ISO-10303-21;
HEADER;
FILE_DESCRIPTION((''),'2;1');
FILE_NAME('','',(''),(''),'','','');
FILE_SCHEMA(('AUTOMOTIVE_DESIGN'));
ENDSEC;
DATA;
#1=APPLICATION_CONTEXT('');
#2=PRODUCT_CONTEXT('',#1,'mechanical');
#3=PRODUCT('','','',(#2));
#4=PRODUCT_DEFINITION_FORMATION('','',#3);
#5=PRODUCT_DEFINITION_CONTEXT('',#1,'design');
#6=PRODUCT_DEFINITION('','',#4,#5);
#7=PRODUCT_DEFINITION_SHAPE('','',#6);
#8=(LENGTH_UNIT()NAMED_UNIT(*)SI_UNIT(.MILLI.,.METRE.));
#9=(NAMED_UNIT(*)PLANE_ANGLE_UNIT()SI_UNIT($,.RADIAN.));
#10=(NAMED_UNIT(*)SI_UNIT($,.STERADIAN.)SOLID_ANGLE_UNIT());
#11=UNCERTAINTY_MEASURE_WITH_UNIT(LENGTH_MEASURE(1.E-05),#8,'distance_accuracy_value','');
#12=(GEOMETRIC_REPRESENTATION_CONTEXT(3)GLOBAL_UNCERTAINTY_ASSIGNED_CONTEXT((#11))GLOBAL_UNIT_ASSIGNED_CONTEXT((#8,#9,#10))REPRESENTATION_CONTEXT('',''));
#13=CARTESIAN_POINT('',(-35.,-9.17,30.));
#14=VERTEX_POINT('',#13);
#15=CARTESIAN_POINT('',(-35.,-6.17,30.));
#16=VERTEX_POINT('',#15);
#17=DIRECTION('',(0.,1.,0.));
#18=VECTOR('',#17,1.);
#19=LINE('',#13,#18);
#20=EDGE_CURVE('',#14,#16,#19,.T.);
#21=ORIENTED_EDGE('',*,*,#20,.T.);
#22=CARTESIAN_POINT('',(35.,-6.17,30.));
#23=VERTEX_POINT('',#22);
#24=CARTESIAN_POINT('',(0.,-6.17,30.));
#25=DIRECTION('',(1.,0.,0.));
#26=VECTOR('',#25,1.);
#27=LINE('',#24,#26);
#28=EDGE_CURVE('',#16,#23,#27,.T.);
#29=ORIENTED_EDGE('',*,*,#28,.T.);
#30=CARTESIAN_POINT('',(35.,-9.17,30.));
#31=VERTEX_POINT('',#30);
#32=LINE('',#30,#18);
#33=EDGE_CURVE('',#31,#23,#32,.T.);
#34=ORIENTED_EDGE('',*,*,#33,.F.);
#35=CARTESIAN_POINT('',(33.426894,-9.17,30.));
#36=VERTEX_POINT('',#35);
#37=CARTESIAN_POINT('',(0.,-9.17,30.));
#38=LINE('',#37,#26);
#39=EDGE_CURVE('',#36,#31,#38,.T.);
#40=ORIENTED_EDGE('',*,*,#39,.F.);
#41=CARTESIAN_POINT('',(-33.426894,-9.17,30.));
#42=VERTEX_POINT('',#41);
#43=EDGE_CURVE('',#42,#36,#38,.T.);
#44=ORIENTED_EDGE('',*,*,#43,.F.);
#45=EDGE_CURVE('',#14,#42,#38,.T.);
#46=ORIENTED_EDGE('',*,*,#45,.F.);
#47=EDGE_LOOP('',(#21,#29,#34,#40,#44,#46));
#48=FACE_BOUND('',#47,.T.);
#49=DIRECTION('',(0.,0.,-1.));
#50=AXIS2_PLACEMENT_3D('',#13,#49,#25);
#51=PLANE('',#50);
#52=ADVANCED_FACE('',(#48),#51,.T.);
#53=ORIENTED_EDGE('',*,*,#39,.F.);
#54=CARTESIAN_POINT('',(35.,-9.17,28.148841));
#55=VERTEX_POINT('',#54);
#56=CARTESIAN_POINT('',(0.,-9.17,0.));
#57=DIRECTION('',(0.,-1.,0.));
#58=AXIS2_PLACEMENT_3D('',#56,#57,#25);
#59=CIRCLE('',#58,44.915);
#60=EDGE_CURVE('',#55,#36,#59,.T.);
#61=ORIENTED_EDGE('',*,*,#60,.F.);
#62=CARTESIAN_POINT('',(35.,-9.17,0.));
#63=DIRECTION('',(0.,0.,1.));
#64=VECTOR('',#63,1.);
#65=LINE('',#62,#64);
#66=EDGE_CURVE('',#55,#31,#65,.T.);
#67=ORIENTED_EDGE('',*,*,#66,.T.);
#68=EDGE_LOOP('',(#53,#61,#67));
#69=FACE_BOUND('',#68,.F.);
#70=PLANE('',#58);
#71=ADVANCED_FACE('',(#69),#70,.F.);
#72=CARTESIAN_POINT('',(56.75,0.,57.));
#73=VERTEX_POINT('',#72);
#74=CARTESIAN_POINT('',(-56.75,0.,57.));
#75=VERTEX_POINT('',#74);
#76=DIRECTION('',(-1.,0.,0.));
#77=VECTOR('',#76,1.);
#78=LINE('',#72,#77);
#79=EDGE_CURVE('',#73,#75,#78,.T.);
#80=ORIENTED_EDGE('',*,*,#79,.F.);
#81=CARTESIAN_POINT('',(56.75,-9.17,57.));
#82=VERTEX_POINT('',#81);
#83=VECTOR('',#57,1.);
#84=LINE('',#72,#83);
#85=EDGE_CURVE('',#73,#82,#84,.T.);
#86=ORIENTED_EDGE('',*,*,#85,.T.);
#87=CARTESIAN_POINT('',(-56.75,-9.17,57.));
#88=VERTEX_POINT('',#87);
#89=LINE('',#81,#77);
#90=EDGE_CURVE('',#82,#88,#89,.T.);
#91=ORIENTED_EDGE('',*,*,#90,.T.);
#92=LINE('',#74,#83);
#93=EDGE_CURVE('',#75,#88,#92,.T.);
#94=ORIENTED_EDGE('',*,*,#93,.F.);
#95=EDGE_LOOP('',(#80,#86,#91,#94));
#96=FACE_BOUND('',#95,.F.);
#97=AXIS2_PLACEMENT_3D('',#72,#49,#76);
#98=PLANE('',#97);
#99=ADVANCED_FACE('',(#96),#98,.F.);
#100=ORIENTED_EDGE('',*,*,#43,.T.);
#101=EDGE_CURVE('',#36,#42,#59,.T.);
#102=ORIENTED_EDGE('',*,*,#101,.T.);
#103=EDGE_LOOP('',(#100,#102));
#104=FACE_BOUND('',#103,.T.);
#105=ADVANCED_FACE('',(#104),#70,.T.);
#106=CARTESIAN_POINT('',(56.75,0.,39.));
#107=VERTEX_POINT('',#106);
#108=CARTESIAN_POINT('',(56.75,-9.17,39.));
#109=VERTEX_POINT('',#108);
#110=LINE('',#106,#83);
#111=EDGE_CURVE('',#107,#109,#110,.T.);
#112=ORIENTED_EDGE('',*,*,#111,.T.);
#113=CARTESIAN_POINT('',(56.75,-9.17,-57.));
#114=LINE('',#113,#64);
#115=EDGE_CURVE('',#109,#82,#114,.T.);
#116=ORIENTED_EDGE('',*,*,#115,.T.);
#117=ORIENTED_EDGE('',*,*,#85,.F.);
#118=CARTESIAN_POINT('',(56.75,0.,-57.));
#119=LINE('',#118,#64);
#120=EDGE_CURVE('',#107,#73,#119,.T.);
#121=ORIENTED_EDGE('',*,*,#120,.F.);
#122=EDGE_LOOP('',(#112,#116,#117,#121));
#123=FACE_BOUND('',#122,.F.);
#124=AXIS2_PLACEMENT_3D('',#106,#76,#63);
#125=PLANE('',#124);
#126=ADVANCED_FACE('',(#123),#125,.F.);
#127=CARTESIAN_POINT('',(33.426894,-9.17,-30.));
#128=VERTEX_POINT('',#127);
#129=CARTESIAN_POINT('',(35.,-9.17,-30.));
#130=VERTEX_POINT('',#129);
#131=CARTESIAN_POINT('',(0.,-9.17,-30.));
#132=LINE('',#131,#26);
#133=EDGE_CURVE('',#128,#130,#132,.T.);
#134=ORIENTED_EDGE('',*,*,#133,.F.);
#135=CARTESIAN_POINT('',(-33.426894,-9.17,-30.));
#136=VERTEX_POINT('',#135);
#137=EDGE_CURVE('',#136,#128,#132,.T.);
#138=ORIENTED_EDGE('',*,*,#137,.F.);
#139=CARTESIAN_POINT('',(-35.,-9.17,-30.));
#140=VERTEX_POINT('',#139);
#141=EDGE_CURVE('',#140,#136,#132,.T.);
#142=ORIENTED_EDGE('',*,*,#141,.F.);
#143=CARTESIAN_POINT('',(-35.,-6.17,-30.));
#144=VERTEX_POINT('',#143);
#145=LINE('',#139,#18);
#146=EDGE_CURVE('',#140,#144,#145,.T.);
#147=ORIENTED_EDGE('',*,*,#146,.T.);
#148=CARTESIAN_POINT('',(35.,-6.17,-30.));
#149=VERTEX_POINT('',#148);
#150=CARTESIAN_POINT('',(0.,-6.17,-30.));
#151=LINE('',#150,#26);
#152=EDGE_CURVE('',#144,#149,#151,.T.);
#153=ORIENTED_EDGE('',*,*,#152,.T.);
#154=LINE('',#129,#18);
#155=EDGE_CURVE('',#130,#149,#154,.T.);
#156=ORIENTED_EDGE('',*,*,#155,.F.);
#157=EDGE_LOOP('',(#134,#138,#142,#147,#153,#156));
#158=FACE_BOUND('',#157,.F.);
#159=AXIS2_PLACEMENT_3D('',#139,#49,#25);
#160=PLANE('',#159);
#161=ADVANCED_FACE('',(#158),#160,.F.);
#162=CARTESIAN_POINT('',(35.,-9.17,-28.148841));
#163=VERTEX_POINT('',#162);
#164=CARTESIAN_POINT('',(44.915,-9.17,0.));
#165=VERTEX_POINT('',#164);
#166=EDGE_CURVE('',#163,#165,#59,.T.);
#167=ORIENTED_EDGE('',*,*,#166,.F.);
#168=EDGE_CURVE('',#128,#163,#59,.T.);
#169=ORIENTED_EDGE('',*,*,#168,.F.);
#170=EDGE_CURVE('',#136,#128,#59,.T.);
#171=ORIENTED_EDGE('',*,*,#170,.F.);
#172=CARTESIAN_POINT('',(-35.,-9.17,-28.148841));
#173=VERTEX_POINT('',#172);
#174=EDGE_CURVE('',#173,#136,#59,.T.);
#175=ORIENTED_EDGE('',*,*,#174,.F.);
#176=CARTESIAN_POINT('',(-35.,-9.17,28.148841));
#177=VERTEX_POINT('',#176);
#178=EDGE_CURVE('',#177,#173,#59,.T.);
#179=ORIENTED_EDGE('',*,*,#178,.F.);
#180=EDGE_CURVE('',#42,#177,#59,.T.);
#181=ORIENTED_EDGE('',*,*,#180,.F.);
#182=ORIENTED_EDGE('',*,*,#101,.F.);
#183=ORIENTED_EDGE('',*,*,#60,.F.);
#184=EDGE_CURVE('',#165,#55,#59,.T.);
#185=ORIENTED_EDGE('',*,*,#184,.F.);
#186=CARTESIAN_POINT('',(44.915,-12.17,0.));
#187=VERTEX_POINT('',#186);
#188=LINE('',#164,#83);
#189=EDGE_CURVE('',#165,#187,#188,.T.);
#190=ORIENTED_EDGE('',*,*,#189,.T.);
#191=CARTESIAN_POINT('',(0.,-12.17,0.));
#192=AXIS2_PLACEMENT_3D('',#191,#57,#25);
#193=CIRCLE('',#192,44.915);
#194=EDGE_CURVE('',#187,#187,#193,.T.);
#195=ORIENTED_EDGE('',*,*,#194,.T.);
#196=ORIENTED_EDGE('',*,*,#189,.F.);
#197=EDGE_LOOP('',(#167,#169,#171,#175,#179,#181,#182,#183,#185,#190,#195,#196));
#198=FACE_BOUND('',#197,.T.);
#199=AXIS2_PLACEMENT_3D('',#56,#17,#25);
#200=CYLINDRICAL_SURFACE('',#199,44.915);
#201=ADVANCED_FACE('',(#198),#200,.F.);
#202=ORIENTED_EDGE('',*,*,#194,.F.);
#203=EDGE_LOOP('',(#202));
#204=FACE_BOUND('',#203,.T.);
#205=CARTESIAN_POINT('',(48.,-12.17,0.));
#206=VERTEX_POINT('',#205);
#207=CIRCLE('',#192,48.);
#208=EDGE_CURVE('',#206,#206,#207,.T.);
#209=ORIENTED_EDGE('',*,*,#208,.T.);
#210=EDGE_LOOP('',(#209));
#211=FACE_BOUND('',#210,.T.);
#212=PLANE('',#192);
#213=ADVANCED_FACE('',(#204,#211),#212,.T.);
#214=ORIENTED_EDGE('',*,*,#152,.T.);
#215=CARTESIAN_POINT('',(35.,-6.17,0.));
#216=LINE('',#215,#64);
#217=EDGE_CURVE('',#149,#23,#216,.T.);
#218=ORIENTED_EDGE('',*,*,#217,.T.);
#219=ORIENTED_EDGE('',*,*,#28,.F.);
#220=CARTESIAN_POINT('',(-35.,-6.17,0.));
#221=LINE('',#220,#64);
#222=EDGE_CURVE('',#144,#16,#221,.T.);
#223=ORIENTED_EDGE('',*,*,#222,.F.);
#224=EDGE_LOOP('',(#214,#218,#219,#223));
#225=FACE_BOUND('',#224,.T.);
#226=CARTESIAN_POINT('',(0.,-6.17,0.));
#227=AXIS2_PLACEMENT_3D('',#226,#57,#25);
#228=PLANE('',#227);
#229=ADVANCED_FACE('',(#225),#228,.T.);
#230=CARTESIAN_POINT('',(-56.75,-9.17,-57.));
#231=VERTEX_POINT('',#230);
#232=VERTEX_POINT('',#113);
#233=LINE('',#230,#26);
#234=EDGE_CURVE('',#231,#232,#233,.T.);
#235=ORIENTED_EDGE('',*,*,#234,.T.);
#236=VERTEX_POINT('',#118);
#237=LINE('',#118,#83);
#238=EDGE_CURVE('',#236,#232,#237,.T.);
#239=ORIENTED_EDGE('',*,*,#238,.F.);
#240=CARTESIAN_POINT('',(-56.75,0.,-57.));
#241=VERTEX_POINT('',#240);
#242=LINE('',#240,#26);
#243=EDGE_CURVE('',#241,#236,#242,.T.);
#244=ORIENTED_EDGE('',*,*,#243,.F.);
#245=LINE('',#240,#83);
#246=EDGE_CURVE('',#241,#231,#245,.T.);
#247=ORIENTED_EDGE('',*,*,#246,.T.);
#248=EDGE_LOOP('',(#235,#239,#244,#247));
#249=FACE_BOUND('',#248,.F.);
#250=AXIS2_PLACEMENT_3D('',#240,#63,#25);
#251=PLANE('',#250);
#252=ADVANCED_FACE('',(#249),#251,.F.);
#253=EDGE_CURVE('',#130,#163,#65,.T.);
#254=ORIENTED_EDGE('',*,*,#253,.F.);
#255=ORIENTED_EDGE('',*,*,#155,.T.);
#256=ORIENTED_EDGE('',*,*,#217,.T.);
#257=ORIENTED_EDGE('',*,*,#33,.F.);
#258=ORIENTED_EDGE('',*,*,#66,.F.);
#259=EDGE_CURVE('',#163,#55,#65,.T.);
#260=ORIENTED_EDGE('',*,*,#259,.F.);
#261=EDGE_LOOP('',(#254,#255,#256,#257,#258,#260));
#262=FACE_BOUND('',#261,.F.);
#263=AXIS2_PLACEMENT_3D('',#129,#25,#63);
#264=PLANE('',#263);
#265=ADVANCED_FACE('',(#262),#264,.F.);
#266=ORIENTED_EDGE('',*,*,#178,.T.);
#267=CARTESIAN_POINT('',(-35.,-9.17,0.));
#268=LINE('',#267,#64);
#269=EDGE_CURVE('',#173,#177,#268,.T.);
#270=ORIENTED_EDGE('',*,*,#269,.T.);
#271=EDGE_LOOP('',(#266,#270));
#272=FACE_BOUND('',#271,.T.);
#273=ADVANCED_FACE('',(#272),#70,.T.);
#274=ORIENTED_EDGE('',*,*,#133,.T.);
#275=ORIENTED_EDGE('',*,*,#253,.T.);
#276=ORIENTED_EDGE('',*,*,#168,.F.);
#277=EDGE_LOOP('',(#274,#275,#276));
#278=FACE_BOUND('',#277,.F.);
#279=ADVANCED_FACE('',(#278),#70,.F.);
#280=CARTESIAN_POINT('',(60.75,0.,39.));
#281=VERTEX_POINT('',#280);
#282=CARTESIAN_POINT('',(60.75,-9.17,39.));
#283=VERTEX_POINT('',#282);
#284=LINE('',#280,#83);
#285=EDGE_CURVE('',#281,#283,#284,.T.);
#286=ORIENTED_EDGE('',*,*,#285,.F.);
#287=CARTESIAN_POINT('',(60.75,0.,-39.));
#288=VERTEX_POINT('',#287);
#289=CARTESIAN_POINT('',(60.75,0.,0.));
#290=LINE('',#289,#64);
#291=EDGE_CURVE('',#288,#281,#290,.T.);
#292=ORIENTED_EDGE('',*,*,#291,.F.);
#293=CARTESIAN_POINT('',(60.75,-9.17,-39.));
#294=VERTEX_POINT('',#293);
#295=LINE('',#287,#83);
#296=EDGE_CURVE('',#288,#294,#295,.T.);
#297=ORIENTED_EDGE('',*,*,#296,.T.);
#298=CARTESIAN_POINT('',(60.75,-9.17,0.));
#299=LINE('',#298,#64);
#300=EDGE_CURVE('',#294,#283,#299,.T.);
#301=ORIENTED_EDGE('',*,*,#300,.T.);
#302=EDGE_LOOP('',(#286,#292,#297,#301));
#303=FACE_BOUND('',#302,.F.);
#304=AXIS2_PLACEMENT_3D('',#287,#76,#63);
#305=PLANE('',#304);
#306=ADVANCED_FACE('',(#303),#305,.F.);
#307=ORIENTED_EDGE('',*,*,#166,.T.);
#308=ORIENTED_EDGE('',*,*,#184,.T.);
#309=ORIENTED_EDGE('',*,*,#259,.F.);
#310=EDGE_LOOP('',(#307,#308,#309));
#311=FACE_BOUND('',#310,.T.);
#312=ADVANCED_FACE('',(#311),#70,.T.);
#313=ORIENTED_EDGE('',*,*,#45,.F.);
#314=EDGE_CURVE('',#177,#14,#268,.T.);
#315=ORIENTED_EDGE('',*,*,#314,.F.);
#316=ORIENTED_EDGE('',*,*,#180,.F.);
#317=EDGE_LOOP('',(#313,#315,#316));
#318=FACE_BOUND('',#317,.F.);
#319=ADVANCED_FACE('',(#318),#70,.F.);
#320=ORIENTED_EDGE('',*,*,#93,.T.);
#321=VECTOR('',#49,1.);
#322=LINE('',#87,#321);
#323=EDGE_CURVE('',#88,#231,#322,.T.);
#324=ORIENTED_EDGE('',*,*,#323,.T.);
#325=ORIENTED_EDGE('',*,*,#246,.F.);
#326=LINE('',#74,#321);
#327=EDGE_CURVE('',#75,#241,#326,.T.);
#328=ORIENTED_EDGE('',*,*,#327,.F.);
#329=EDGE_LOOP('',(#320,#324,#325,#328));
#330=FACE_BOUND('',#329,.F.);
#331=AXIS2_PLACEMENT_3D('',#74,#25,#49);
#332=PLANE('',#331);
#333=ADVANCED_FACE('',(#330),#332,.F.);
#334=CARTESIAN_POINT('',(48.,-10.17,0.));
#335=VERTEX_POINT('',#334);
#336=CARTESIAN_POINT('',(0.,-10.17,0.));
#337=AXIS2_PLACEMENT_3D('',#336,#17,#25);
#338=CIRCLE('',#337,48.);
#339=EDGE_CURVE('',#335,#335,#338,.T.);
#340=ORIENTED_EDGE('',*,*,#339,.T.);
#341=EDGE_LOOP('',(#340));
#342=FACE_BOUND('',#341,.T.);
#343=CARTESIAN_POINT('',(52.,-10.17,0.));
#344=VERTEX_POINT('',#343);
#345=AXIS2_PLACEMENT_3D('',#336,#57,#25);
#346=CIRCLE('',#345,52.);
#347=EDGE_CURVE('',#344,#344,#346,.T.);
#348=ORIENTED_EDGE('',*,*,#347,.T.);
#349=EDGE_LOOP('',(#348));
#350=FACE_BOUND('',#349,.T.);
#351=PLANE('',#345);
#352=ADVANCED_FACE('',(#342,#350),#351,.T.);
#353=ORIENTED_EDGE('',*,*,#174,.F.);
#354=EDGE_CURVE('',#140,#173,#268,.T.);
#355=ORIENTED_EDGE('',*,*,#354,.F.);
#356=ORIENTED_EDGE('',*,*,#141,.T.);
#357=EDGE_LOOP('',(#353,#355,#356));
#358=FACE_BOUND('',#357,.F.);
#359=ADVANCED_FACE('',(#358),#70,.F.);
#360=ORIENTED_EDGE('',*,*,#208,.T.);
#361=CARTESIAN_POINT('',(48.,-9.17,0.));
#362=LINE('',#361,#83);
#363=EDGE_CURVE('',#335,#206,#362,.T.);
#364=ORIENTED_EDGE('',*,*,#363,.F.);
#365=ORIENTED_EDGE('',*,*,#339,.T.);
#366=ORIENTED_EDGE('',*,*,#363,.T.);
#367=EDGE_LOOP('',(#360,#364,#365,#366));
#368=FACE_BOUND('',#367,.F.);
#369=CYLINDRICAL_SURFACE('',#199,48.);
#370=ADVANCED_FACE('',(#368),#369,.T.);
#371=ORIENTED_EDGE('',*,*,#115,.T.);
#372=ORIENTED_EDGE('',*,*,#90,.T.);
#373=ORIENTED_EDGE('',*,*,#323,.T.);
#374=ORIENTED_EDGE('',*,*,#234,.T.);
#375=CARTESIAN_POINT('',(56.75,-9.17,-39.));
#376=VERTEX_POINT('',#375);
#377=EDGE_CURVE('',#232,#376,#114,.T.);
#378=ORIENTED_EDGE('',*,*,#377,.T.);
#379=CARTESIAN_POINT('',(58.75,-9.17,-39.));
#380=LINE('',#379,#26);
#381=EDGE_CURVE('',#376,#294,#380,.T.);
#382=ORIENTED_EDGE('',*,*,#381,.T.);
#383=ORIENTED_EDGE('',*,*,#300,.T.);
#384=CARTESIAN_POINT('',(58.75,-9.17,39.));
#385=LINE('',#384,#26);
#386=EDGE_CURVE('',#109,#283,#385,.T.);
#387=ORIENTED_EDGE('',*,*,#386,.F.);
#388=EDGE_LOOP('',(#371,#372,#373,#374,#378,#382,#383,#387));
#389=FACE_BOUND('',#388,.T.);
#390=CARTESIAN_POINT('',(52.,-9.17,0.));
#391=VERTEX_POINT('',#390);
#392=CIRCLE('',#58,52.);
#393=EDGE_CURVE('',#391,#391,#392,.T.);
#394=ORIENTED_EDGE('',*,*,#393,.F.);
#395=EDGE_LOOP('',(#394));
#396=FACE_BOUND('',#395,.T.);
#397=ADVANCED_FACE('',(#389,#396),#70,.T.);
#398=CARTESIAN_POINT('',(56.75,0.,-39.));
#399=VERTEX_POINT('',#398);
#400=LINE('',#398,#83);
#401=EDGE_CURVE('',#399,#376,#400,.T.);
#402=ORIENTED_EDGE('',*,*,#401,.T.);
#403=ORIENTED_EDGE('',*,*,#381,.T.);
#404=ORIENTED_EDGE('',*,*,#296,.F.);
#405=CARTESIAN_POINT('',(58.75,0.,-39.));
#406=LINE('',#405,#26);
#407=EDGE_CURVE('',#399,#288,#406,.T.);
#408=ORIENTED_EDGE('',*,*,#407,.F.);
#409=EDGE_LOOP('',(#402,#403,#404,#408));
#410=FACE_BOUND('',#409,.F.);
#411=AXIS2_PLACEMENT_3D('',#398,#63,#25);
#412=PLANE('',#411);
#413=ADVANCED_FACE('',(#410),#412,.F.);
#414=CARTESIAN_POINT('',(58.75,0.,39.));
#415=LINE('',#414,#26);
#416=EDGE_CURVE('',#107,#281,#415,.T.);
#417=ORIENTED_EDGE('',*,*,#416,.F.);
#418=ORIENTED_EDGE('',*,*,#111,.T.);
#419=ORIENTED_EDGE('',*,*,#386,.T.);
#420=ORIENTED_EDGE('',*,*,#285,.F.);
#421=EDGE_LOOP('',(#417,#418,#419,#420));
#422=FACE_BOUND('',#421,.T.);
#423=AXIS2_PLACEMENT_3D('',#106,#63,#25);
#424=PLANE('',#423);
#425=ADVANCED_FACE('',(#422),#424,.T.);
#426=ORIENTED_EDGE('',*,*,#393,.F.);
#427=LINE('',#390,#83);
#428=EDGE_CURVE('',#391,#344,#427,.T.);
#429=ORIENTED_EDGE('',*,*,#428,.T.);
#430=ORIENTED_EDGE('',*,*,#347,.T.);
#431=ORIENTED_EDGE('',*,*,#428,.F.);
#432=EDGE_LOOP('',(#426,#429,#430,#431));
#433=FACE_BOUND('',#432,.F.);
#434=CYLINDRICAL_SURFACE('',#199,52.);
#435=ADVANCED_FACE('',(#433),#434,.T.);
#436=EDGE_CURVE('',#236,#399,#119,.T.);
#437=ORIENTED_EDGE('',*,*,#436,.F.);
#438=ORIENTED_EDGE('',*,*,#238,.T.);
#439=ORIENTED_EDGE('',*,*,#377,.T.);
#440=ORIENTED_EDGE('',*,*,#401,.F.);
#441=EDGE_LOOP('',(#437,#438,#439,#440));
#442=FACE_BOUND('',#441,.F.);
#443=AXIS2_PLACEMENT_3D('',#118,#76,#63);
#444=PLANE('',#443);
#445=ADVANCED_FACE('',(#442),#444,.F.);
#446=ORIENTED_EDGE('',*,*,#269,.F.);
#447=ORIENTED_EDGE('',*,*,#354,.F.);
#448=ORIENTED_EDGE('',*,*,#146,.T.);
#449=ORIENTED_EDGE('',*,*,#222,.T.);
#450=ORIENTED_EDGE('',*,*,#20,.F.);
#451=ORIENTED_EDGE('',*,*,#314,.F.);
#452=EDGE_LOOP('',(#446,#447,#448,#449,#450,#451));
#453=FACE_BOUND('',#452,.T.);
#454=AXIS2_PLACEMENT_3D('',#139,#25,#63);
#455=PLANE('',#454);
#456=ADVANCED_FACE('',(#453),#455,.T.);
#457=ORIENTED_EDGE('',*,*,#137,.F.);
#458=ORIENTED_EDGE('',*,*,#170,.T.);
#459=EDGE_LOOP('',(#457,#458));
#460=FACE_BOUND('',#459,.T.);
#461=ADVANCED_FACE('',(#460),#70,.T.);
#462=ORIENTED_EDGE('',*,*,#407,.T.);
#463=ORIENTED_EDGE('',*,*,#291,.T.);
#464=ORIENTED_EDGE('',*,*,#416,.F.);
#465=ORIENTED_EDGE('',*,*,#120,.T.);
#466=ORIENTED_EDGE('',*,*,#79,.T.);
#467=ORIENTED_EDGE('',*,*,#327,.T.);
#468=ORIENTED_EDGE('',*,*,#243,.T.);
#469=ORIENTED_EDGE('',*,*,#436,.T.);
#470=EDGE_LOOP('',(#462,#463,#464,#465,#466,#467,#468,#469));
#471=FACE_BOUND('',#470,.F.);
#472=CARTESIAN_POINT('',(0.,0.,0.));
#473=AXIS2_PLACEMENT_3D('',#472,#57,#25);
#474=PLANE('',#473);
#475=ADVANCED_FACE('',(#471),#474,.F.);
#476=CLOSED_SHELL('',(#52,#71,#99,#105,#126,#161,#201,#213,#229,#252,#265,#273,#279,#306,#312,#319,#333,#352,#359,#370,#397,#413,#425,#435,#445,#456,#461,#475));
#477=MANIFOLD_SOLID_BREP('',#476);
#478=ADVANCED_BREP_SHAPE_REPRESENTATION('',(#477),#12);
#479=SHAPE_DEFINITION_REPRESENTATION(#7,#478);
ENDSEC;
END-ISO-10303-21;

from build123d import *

# Parameters (mm, degrees)
F0_W     = 4
F0_H     = 78
F1_DEPTH = 9.17
F2_R     = 48
F2_R_2   = 44.915
F3_DEPTH = 3
F4_R     = 52
F4_R_2   = 45.823457
F5_DEPTH = 1
F6_W     = 70
F6_H     = 60
F7_DEPTH = 3


with BuildPart() as f1:
    # F0 (on Front) → F1 (new body)
    with BuildSketch(Plane.XZ):
        Polygon((56.75, 39), (56.75, 57), (-56.75, 57), (-56.75, -57), (56.75, -57), (56.75, -39), align=None)
        with Locations((58.75, 0)):
            Rectangle(F0_W, F0_H)
    extrude(amount=F1_DEPTH)

    # F2 (on face) → F3 (join)
    with BuildSketch(Plane.XZ.offset(9.17)):
        Circle(F2_R)
        Circle(F2_R_2, mode=Mode.SUBTRACT)
    extrude(amount=F3_DEPTH)

    # F4 (on face) → F5 (join)
    with BuildSketch(Plane.XZ.offset(9.17)):
        Circle(F4_R)
        Circle(F4_R_2, mode=Mode.SUBTRACT)
    extrude(amount=F5_DEPTH)

    # F6 (on face) → F7 (cut)
    with BuildSketch(Plane.XZ.offset(9.17)):
        Rectangle(F6_W, F6_H)
    extrude(amount=-F7_DEPTH, mode=Mode.SUBTRACT)


solid = f1.part
